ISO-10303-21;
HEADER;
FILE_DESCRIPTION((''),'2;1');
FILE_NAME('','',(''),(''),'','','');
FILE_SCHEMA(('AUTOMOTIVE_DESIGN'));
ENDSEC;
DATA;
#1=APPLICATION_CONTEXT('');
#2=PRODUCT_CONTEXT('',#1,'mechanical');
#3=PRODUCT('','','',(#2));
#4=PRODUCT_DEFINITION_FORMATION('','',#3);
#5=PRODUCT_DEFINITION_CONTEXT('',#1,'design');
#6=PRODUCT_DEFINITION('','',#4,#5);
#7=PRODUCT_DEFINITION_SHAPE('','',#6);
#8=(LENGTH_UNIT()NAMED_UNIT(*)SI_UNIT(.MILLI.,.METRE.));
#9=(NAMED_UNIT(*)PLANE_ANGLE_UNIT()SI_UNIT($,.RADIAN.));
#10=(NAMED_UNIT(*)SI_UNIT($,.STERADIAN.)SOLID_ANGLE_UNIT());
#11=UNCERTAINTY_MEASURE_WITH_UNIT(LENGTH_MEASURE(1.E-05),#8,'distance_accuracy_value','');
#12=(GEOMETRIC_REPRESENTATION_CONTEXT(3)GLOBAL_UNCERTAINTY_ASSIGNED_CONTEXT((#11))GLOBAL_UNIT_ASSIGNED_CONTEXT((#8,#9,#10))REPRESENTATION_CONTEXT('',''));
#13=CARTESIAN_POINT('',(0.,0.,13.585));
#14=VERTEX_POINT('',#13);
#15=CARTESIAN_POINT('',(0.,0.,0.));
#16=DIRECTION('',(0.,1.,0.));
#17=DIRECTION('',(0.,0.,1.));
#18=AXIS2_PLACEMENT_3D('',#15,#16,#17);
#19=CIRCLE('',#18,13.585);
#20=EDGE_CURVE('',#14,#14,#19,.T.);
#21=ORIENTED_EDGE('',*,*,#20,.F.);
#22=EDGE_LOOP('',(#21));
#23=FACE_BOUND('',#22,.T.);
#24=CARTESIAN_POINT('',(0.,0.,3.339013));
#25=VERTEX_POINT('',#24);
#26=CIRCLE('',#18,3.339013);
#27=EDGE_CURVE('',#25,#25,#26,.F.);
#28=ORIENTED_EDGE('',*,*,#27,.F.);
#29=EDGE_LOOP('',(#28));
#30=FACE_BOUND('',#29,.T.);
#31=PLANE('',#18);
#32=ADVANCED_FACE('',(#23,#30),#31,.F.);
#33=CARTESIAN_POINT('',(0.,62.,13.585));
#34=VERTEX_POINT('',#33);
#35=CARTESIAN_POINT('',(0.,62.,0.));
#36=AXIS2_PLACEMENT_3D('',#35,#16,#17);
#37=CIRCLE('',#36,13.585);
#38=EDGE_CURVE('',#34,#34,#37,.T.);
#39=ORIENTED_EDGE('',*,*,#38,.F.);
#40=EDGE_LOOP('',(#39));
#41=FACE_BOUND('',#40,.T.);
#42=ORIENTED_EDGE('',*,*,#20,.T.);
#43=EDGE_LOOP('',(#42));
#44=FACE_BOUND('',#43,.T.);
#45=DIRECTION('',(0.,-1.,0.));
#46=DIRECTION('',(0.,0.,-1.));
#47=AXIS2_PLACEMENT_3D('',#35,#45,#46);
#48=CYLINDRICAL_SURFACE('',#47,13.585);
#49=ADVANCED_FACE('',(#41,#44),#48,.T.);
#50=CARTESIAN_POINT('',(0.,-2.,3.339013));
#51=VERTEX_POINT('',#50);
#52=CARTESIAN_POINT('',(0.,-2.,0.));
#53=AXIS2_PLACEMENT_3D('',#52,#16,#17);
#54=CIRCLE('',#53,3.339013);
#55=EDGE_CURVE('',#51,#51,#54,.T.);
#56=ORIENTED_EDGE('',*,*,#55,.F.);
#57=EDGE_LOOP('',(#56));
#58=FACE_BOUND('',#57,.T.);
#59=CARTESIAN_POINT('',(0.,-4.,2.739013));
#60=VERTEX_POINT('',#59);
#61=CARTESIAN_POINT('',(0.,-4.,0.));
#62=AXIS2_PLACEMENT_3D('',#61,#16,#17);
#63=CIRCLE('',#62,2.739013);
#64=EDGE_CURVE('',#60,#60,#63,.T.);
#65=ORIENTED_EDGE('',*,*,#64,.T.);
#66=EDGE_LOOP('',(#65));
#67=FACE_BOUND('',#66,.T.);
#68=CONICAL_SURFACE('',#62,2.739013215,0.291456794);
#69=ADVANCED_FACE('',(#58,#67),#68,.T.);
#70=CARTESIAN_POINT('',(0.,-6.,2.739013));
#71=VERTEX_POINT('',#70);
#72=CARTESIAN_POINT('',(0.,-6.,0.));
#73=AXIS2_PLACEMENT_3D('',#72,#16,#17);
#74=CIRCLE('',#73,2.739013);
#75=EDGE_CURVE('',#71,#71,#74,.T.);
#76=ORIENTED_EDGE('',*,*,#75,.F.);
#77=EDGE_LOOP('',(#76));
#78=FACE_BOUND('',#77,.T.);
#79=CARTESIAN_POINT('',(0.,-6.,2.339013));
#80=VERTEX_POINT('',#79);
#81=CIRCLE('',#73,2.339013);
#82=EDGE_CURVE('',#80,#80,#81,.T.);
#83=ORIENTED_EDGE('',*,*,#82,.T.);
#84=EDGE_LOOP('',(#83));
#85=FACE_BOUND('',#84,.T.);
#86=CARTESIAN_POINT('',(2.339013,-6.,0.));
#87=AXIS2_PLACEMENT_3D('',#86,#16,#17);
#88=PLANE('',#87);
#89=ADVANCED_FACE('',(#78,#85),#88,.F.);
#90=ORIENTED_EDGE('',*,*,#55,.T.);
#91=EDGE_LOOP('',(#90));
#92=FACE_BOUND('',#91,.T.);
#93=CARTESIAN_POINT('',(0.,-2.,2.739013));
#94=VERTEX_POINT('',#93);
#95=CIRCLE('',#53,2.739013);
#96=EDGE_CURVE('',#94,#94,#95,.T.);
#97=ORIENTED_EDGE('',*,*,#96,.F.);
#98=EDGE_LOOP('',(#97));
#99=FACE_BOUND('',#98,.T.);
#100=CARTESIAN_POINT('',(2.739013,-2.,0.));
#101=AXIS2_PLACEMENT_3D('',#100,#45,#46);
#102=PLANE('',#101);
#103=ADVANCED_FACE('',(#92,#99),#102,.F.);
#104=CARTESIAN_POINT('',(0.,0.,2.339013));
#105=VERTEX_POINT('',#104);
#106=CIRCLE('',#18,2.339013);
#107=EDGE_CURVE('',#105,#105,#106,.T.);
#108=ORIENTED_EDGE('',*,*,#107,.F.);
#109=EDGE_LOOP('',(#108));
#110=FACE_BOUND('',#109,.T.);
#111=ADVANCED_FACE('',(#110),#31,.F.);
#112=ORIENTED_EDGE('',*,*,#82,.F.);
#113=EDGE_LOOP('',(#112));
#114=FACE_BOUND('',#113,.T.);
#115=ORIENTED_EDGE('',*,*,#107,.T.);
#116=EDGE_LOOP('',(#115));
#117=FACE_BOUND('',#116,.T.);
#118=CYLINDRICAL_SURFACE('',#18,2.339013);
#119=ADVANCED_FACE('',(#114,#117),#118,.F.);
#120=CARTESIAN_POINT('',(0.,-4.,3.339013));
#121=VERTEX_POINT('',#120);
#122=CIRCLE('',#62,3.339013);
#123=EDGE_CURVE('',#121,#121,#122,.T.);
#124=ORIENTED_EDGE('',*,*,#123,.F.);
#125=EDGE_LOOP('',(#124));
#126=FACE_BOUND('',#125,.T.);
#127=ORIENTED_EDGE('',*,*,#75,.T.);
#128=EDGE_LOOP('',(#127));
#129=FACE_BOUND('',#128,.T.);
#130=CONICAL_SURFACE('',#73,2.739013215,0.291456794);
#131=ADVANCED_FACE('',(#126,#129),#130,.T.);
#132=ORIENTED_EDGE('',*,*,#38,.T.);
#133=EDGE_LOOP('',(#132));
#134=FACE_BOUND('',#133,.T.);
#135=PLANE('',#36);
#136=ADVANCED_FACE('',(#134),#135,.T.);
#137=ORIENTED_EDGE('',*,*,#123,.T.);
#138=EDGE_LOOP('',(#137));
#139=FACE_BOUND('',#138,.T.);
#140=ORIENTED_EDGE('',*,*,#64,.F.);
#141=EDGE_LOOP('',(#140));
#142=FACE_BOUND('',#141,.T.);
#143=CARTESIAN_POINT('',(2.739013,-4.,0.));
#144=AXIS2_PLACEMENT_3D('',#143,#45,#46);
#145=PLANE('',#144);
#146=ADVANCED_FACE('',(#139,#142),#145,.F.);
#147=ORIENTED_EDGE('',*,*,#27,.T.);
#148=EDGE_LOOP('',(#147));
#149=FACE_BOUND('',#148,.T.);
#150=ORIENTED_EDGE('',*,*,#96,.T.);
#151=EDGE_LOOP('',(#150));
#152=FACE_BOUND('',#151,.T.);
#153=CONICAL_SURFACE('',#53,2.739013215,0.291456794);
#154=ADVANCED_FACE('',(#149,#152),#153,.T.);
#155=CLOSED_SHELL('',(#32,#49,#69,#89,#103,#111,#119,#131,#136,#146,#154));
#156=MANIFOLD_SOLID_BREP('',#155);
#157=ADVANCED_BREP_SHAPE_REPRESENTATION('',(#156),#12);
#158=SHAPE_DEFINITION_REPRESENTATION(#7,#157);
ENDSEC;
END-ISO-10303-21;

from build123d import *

# Parameters (mm, degrees)
SKETCH_1_R      = 13.585
EXTRUDE_1_DEPTH = 62


with BuildPart() as part:
    # 草图1 → 凸台-拉伸1 (new body)
    with BuildSketch(Plane(origin=(0, 0, 0), x_dir=(1, 0, 0), z_dir=(0, 1, 0))):
        with Locations(Location((0, 0, 0), (0, 0, 270))):
            Circle(SKETCH_1_R)
    extrude(amount=EXTRUDE_1_DEPTH)

    # 草图2 → 旋转1 (revolve)
    with BuildSketch(Plane.XY, mode=Mode.PRIVATE) as revolve_1_sk:
        Polygon((2.339013215, -6), (2.739013215, -6), (3.339013215, -4), (2.739013215, -4), (3.339013215, -2), (2.739013215, -2), (3.339013215, 0), (2.339013215, 0), align=None)
    revolve(revolve_1_sk.sketch.rotate(Axis((0, 0, 0), (0, -1, 0)), 90), axis=Axis((0, 0, 0), (0, -1, 0)))


solid = part.part
